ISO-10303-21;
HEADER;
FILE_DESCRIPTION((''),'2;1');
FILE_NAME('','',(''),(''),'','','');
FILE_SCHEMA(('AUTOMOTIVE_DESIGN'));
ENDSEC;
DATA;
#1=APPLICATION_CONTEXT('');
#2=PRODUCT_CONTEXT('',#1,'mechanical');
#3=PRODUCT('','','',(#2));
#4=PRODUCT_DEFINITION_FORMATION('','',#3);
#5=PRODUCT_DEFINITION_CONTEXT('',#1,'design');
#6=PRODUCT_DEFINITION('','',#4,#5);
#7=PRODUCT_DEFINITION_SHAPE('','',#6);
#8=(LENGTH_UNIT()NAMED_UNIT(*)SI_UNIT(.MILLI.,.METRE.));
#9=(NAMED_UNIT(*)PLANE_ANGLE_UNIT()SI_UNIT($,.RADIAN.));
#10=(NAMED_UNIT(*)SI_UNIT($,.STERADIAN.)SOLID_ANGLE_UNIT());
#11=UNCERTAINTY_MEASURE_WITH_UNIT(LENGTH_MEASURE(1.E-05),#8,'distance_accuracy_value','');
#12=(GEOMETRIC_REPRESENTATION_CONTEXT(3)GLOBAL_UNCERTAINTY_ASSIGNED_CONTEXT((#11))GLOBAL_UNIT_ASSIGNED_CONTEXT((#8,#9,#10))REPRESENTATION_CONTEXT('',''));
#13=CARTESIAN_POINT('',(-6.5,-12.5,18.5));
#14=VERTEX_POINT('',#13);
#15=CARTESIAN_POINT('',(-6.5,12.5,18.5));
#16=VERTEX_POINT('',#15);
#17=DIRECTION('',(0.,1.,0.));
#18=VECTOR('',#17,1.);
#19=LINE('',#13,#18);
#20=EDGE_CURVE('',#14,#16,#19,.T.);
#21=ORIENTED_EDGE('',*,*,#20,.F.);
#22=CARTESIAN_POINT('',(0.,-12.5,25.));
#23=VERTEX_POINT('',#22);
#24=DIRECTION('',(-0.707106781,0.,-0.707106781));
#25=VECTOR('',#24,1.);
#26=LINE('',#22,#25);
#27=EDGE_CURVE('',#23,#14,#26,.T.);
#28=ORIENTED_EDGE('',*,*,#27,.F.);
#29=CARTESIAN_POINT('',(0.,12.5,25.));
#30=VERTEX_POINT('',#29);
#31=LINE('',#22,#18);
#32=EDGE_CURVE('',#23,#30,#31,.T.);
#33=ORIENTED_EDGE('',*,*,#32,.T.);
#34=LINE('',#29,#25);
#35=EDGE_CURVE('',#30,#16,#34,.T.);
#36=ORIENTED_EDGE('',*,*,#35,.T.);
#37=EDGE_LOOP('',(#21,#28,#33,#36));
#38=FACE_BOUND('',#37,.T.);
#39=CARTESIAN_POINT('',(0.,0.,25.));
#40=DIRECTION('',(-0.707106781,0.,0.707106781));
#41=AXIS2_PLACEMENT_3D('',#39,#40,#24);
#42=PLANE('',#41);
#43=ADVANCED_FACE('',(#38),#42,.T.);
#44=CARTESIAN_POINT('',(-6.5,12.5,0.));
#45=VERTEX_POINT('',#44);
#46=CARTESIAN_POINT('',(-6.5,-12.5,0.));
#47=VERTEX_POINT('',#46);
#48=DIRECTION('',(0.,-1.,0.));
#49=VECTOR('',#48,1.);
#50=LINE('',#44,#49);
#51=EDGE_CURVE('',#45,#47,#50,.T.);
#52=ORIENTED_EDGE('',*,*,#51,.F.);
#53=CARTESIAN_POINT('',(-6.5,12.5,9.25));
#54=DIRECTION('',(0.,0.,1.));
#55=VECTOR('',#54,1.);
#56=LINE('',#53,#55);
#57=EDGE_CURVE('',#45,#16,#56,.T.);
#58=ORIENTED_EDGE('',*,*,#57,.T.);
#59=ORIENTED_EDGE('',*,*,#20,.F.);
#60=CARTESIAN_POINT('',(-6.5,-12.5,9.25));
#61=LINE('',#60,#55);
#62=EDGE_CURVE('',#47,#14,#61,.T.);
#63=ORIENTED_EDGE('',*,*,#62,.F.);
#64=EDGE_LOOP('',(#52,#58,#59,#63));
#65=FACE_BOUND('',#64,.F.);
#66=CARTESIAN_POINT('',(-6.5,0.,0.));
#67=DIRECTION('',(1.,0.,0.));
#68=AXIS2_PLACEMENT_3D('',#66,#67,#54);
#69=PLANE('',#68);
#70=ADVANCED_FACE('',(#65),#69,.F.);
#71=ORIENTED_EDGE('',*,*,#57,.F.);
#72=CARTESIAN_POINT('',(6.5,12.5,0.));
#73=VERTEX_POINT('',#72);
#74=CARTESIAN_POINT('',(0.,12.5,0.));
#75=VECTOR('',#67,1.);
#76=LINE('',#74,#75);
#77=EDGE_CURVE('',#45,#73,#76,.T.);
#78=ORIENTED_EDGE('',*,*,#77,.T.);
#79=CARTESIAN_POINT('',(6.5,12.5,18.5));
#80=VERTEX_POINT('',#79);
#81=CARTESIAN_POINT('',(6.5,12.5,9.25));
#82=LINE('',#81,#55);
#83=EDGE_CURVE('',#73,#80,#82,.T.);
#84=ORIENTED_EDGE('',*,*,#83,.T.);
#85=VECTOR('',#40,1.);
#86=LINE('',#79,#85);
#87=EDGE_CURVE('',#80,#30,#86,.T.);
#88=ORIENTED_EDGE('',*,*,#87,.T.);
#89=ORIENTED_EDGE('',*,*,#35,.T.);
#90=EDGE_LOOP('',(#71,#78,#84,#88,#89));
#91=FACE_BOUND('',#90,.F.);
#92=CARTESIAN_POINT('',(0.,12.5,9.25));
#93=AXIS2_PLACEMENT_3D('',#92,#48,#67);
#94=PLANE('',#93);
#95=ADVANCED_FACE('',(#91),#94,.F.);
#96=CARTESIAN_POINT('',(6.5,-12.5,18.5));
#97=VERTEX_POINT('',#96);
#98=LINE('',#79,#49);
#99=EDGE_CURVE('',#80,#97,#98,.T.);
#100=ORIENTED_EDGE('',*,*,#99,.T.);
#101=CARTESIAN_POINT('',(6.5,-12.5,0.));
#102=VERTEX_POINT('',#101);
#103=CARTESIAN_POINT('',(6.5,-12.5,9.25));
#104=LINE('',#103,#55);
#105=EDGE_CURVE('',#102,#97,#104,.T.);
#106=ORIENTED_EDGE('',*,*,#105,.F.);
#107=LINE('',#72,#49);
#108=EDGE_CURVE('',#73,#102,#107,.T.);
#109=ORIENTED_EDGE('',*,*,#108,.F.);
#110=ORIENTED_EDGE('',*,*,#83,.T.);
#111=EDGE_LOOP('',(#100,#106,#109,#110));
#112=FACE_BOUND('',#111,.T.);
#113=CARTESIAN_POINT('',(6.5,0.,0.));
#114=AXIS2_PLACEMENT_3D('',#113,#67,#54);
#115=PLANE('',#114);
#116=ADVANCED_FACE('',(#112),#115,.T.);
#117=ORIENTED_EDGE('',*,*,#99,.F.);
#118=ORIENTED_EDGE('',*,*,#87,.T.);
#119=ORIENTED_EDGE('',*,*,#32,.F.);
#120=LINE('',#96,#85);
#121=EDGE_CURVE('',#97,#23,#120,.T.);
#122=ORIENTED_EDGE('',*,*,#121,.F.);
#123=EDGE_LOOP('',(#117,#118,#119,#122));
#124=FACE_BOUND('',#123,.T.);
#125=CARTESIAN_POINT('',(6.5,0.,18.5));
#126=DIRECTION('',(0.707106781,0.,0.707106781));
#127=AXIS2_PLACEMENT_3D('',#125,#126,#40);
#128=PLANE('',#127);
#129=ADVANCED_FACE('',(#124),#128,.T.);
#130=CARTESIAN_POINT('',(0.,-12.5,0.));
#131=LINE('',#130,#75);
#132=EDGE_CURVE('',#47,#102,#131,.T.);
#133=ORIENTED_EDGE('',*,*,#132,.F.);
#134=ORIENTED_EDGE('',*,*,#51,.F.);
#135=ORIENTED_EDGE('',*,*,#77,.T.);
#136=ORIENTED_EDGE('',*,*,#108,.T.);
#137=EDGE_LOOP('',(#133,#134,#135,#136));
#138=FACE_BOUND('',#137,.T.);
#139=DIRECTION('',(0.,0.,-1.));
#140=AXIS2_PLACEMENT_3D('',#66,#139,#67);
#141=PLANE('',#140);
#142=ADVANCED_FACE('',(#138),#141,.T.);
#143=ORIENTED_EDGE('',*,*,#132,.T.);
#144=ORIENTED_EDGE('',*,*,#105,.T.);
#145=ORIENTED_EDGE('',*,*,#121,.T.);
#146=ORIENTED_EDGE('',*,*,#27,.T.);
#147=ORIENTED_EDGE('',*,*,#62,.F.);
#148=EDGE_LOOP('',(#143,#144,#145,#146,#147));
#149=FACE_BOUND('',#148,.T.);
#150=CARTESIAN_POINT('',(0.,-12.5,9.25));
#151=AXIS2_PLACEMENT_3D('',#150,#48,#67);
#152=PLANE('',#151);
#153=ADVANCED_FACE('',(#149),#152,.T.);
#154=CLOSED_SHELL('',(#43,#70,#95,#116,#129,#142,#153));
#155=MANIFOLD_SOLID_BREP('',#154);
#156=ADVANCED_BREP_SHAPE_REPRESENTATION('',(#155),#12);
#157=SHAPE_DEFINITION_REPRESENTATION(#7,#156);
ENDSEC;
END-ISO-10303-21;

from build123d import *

# Parameters (mm, degrees)
F0_W     = 13
F0_H     = 18.5
F1_DEPTH = 12.5


with BuildPart() as f1:
    # F0 (on Front) → F1 (new body, symmetric)
    with BuildSketch(Plane.XZ):
        with Locations((0, 9.25)):
            Rectangle(F0_W, F0_H)
        Polygon((0, 25), (-6.5, 18.5), (6.5, 18.5), align=None)
    extrude(amount=F1_DEPTH, both=True)


solid = f1.part
